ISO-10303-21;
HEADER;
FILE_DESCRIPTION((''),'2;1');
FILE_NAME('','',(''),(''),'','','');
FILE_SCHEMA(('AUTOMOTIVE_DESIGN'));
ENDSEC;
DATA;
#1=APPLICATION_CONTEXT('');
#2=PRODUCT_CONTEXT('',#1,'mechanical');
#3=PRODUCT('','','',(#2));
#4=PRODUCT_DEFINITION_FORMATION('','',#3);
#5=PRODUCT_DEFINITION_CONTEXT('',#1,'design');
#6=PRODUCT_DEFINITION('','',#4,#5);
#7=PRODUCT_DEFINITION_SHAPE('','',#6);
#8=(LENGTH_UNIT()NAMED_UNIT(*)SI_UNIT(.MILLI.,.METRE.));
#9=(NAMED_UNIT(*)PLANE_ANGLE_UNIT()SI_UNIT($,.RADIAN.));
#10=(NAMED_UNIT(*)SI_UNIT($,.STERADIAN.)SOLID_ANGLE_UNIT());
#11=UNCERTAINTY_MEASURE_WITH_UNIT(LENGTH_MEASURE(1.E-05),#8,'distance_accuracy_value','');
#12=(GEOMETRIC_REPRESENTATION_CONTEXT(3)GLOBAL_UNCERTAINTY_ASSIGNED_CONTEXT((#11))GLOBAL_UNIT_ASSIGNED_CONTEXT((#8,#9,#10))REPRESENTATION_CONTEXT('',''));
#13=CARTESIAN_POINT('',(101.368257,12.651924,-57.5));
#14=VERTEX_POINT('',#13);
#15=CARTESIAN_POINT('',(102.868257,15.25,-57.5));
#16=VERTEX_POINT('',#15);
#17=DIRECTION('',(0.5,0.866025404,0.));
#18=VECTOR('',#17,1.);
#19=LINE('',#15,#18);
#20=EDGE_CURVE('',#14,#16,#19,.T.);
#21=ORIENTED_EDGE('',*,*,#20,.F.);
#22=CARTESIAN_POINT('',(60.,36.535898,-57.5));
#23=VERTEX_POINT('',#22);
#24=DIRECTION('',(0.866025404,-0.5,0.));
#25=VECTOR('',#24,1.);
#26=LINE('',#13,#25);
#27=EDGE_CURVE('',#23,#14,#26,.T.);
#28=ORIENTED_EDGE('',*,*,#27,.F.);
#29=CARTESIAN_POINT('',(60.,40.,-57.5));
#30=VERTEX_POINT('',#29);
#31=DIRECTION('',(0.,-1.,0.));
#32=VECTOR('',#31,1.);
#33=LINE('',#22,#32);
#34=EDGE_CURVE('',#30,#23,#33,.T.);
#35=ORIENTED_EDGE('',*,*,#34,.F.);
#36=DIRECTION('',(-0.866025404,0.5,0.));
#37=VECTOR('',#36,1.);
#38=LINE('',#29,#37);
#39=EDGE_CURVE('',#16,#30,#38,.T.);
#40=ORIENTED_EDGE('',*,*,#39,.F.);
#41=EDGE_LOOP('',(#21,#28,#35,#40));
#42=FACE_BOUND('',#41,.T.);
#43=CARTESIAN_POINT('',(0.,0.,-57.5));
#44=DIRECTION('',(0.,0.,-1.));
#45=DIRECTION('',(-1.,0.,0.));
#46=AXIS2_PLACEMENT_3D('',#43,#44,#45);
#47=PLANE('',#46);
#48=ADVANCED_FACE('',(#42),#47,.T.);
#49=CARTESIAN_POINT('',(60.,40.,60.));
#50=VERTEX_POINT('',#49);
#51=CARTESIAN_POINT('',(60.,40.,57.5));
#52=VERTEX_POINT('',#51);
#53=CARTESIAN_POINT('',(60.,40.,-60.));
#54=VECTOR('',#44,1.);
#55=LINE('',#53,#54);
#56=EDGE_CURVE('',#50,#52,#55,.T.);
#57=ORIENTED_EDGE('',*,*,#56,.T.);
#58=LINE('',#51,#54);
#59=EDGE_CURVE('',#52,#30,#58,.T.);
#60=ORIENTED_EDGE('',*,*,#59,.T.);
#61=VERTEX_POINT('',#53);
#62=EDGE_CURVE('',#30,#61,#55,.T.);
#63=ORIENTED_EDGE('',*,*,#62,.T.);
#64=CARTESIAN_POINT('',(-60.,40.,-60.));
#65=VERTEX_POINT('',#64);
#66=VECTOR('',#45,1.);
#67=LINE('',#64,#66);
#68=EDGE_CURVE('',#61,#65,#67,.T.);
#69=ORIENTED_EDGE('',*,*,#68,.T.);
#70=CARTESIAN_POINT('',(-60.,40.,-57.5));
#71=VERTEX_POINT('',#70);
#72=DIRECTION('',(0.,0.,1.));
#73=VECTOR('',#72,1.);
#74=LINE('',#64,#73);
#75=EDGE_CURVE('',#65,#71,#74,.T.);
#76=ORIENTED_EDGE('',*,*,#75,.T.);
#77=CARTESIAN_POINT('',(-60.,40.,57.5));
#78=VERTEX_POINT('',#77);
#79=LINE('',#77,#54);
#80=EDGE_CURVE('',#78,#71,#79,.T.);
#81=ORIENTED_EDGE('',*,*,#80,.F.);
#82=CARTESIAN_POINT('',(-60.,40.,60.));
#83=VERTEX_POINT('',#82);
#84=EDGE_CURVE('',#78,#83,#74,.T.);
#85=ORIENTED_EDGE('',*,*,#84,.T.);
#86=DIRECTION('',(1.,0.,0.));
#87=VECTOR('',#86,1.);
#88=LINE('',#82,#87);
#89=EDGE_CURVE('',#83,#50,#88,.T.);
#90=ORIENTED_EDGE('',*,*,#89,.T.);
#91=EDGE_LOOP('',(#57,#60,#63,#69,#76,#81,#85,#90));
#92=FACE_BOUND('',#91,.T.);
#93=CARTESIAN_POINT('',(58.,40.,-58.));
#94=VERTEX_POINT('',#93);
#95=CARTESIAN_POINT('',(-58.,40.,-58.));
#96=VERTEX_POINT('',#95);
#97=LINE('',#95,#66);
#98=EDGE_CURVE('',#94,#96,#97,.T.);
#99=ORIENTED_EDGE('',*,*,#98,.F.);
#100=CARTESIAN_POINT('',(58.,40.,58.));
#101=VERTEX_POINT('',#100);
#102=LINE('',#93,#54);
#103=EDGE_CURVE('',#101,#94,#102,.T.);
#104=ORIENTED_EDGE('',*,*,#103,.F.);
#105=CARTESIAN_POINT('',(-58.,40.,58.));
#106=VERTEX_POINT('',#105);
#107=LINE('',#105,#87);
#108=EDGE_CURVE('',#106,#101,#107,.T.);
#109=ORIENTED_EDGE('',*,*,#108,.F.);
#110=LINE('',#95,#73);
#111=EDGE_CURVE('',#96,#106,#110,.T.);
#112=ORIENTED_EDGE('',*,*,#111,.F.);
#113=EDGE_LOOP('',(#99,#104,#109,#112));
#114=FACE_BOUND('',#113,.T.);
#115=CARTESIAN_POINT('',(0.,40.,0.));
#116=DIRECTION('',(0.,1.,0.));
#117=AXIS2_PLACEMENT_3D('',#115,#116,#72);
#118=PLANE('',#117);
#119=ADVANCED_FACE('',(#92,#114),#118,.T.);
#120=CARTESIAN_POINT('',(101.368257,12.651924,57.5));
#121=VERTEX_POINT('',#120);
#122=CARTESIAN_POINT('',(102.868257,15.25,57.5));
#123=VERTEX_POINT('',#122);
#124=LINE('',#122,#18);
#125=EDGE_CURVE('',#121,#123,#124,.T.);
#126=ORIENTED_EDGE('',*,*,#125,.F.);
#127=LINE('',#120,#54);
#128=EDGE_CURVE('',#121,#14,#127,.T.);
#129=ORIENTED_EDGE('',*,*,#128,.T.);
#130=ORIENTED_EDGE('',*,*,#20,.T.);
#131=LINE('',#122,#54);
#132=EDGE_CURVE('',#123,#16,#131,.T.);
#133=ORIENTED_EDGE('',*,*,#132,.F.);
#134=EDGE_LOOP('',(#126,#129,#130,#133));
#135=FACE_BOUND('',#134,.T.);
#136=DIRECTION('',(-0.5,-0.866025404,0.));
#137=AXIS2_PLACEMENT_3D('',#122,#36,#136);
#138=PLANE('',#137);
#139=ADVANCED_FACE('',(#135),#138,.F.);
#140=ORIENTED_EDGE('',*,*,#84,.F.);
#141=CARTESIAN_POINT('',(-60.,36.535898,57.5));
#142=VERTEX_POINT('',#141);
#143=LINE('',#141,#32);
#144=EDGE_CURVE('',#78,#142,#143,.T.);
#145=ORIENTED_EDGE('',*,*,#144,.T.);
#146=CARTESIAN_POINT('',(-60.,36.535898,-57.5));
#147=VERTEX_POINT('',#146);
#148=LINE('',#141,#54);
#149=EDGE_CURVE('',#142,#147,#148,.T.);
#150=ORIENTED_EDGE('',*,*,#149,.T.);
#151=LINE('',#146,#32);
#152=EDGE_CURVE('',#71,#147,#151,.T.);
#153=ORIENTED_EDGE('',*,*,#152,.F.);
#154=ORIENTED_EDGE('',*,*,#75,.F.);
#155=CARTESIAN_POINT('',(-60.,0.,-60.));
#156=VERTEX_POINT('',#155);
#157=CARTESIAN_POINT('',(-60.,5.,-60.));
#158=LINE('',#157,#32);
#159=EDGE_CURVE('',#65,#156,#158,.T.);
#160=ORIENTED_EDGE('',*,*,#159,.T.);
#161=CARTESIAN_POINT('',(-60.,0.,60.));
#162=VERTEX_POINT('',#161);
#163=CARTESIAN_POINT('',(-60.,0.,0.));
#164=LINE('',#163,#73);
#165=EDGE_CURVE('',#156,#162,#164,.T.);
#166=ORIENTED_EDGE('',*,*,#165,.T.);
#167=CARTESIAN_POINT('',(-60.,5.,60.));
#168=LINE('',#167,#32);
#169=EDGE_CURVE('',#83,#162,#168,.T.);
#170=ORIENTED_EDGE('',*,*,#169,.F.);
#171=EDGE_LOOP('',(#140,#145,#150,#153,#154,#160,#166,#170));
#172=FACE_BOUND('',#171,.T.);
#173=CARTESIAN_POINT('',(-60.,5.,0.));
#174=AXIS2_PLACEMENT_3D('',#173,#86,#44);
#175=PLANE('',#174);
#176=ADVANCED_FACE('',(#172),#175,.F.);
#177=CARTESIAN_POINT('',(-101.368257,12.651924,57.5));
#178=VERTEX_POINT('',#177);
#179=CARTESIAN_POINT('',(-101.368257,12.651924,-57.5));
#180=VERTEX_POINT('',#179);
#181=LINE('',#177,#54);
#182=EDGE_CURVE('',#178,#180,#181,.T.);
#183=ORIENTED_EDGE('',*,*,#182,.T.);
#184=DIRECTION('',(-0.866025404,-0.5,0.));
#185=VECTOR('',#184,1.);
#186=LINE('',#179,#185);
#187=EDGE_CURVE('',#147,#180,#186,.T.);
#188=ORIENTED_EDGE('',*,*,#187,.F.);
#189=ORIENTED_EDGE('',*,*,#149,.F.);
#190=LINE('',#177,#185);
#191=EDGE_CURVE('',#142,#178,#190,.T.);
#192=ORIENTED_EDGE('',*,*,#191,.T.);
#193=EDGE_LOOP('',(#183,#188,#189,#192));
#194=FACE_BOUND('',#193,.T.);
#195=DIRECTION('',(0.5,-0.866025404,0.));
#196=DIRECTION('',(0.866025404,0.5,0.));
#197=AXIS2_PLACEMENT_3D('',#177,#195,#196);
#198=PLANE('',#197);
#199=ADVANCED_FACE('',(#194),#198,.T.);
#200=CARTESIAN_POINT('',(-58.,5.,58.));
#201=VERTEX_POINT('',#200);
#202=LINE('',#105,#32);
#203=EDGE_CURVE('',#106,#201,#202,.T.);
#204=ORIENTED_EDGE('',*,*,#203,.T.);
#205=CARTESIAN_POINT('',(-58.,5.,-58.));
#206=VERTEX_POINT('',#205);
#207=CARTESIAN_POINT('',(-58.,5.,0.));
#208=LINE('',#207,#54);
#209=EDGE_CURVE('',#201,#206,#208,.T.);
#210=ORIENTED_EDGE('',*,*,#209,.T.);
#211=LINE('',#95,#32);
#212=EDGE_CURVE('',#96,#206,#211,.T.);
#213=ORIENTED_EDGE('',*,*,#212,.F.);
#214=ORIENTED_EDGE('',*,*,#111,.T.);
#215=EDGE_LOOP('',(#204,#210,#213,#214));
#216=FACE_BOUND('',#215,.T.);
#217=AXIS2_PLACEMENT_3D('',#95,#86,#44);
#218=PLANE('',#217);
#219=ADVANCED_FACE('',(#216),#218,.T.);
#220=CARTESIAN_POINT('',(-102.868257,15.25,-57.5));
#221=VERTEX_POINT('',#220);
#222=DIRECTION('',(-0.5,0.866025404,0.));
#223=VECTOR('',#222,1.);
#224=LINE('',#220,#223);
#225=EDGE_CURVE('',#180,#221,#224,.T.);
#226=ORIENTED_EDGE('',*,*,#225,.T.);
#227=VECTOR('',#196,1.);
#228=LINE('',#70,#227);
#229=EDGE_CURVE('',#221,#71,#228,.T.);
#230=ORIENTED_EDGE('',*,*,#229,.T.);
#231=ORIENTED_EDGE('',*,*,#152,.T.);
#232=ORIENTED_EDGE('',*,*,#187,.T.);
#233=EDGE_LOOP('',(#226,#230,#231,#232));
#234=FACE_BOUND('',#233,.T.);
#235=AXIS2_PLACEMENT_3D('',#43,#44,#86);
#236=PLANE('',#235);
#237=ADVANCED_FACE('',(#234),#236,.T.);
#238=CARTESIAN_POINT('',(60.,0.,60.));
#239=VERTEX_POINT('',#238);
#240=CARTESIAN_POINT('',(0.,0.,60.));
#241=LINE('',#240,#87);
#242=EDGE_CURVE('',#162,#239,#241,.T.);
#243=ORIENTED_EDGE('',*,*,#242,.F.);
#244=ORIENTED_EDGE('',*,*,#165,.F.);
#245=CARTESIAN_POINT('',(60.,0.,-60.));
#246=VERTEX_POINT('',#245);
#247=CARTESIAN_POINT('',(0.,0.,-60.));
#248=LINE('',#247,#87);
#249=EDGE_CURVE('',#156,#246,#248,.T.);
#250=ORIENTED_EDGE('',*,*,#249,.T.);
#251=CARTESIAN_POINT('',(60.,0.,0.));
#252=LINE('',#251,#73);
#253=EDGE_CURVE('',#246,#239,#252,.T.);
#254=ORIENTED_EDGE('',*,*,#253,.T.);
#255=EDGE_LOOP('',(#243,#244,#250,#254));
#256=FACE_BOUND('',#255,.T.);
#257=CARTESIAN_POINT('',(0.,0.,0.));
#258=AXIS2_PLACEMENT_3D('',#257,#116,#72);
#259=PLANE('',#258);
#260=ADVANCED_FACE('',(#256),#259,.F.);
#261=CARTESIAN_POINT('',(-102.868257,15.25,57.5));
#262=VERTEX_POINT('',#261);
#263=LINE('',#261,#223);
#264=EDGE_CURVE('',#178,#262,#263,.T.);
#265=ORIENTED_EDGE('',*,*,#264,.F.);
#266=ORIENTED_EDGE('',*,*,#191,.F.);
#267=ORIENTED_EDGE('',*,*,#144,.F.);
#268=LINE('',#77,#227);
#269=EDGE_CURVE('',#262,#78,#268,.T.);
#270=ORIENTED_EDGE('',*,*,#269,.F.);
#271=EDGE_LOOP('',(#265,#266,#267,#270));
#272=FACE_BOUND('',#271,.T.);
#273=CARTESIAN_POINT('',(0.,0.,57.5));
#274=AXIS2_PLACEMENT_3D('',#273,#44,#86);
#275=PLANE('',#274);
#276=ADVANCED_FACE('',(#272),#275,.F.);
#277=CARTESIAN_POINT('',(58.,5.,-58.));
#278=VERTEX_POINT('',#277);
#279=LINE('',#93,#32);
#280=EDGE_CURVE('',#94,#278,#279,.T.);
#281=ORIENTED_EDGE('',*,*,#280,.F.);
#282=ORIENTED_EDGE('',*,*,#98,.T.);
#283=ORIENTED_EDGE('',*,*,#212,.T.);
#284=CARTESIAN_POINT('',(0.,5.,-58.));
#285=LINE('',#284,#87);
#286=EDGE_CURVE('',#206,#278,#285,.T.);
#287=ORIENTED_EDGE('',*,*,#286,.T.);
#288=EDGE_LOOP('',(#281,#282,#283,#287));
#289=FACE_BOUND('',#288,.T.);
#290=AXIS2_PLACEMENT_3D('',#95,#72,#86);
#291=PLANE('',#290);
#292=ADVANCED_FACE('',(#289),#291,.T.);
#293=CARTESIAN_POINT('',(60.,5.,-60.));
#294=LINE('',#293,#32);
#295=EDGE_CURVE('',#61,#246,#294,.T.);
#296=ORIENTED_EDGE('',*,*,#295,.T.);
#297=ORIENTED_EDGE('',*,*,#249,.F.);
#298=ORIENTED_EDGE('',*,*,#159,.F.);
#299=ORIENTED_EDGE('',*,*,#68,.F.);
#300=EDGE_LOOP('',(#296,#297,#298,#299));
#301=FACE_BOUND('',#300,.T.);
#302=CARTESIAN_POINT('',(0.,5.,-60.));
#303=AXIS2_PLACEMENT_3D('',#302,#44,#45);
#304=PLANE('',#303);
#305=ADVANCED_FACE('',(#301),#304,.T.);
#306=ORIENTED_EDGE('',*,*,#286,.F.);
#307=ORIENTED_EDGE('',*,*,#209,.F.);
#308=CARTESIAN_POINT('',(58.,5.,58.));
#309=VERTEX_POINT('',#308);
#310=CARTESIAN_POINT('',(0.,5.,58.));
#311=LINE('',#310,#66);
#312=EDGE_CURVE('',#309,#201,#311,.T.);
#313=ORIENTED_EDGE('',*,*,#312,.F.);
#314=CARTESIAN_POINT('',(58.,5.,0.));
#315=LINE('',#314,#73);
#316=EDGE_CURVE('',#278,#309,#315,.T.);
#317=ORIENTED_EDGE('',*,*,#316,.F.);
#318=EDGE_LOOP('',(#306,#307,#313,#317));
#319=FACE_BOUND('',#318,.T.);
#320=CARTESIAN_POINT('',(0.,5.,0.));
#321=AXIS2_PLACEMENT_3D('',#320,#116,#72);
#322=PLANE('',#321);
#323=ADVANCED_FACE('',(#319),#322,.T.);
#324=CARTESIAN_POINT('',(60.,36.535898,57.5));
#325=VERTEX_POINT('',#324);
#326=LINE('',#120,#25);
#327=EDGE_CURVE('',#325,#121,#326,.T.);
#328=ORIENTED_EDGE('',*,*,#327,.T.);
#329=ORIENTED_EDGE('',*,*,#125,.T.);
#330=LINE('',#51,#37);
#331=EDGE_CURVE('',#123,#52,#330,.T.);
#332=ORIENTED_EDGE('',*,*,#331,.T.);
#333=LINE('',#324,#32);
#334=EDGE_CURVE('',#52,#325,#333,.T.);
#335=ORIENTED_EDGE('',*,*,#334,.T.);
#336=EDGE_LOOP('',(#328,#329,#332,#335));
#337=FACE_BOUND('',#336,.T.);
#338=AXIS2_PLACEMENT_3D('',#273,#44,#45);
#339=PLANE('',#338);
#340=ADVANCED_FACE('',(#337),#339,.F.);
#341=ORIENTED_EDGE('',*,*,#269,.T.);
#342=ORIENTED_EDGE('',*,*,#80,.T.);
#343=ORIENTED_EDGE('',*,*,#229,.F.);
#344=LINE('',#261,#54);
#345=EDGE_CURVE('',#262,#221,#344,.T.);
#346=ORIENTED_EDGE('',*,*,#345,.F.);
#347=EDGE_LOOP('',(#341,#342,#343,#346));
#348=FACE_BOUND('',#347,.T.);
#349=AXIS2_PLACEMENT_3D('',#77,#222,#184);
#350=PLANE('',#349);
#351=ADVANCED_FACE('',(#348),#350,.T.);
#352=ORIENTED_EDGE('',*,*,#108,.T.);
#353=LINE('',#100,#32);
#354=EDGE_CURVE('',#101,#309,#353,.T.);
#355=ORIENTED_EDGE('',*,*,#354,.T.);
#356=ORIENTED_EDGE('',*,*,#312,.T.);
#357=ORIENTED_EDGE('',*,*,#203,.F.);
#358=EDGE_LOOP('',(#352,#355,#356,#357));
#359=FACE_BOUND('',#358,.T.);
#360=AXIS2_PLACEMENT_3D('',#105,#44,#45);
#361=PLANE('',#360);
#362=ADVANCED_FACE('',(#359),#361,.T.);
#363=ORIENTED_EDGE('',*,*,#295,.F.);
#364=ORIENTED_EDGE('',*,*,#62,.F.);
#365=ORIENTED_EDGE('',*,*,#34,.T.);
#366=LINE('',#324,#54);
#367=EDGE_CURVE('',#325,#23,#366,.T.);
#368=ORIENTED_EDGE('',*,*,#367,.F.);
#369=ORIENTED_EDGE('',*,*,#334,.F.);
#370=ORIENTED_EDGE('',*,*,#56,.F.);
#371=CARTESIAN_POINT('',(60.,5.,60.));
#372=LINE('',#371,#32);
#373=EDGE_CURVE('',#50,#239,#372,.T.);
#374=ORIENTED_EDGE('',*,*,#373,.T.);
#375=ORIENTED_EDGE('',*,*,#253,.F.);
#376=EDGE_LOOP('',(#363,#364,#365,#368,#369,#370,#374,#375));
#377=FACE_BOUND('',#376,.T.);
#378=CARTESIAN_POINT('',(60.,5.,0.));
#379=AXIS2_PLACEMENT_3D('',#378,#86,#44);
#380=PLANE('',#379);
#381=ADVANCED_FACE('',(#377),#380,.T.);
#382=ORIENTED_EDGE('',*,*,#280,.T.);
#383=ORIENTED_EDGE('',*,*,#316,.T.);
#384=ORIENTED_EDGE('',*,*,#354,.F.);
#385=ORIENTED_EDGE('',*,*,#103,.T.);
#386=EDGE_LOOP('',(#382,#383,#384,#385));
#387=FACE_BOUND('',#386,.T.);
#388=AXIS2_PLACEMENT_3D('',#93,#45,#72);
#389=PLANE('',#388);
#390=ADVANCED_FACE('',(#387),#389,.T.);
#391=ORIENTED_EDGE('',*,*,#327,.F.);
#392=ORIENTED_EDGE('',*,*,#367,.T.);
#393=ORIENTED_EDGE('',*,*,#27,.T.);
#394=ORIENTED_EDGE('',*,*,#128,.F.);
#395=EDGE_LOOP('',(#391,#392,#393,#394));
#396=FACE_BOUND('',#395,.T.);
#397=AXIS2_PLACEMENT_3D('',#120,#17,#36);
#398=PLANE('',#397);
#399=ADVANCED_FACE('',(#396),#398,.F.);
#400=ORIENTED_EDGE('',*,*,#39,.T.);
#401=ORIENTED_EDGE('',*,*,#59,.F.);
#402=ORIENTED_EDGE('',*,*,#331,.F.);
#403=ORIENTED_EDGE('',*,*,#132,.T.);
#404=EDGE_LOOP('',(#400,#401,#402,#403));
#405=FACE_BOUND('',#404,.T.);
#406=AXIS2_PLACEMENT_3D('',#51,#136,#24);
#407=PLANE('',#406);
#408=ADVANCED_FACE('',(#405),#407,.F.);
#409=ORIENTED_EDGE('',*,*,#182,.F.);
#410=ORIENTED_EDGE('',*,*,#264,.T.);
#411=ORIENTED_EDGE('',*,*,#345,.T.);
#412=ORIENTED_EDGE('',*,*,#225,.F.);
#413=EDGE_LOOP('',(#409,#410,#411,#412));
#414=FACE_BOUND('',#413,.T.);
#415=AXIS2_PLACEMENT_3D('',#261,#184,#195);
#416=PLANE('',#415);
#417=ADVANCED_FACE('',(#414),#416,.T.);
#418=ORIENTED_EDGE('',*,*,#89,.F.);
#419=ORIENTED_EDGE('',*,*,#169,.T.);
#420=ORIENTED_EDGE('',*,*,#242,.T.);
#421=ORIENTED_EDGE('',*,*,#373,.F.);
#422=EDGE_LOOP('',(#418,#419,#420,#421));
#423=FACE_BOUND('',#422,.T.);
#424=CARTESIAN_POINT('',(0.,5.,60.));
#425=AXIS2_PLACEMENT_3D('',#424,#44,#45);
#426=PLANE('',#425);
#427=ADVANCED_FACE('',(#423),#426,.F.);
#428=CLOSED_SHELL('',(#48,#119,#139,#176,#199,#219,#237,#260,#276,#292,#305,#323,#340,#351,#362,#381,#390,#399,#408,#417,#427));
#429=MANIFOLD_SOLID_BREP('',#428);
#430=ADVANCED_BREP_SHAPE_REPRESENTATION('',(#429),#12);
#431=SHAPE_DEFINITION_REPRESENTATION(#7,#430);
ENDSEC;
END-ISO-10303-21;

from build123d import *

# Parameters (mm, degrees)
SKETCH1_W           = 120
SKETCH1_H           = 120
BOSS_EXTRUDE1_DEPTH = 5
SKETCH1_3_W         = 120
SKETCH1_3_H         = 120
SKETCH1_3_W_2       = 116
SKETCH1_3_H_2       = 116
BOSS_EXTRUDE2_DEPTH = 40
BOSS_EXTRUDE3_DEPTH = 57.5


with BuildPart() as part:
    # Sketch1 → Boss-Extrude1 (new body)
    with BuildSketch(Plane(origin=(0, 0, 0), x_dir=(1, 0, 0), z_dir=(0, 1, 0))):
        Rectangle(SKETCH1_W, SKETCH1_H)
    extrude(amount=BOSS_EXTRUDE1_DEPTH)

    # Sketch1<3> → Boss-Extrude2 (add)
    with BuildSketch(Plane(origin=(0, 0, 0), x_dir=(1, 0, 0), z_dir=(0, 1, 0))):
        Rectangle(SKETCH1_3_W, SKETCH1_3_H)
        Rectangle(SKETCH1_3_W_2, SKETCH1_3_H_2, mode=Mode.SUBTRACT)
    extrude(amount=BOSS_EXTRUDE2_DEPTH)

    # Sketch2 → Boss-Extrude3 (add, symmetric)
    with BuildSketch(Plane.XY):
        Polygon((60, 40), (102.868257487, 15.25), (101.368257487, 12.651923789), (60, 36.535898385), align=None)
    boss_extrude3 = extrude(amount=BOSS_EXTRUDE3_DEPTH, both=True)

    # Mirror1: Boss-Extrude3 across plane
    add(boss_extrude3.mirror(Plane(origin=(0, 0, 0), x_dir=(0, 0, 1), z_dir=(1, 0, 0))))


solid = part.part
